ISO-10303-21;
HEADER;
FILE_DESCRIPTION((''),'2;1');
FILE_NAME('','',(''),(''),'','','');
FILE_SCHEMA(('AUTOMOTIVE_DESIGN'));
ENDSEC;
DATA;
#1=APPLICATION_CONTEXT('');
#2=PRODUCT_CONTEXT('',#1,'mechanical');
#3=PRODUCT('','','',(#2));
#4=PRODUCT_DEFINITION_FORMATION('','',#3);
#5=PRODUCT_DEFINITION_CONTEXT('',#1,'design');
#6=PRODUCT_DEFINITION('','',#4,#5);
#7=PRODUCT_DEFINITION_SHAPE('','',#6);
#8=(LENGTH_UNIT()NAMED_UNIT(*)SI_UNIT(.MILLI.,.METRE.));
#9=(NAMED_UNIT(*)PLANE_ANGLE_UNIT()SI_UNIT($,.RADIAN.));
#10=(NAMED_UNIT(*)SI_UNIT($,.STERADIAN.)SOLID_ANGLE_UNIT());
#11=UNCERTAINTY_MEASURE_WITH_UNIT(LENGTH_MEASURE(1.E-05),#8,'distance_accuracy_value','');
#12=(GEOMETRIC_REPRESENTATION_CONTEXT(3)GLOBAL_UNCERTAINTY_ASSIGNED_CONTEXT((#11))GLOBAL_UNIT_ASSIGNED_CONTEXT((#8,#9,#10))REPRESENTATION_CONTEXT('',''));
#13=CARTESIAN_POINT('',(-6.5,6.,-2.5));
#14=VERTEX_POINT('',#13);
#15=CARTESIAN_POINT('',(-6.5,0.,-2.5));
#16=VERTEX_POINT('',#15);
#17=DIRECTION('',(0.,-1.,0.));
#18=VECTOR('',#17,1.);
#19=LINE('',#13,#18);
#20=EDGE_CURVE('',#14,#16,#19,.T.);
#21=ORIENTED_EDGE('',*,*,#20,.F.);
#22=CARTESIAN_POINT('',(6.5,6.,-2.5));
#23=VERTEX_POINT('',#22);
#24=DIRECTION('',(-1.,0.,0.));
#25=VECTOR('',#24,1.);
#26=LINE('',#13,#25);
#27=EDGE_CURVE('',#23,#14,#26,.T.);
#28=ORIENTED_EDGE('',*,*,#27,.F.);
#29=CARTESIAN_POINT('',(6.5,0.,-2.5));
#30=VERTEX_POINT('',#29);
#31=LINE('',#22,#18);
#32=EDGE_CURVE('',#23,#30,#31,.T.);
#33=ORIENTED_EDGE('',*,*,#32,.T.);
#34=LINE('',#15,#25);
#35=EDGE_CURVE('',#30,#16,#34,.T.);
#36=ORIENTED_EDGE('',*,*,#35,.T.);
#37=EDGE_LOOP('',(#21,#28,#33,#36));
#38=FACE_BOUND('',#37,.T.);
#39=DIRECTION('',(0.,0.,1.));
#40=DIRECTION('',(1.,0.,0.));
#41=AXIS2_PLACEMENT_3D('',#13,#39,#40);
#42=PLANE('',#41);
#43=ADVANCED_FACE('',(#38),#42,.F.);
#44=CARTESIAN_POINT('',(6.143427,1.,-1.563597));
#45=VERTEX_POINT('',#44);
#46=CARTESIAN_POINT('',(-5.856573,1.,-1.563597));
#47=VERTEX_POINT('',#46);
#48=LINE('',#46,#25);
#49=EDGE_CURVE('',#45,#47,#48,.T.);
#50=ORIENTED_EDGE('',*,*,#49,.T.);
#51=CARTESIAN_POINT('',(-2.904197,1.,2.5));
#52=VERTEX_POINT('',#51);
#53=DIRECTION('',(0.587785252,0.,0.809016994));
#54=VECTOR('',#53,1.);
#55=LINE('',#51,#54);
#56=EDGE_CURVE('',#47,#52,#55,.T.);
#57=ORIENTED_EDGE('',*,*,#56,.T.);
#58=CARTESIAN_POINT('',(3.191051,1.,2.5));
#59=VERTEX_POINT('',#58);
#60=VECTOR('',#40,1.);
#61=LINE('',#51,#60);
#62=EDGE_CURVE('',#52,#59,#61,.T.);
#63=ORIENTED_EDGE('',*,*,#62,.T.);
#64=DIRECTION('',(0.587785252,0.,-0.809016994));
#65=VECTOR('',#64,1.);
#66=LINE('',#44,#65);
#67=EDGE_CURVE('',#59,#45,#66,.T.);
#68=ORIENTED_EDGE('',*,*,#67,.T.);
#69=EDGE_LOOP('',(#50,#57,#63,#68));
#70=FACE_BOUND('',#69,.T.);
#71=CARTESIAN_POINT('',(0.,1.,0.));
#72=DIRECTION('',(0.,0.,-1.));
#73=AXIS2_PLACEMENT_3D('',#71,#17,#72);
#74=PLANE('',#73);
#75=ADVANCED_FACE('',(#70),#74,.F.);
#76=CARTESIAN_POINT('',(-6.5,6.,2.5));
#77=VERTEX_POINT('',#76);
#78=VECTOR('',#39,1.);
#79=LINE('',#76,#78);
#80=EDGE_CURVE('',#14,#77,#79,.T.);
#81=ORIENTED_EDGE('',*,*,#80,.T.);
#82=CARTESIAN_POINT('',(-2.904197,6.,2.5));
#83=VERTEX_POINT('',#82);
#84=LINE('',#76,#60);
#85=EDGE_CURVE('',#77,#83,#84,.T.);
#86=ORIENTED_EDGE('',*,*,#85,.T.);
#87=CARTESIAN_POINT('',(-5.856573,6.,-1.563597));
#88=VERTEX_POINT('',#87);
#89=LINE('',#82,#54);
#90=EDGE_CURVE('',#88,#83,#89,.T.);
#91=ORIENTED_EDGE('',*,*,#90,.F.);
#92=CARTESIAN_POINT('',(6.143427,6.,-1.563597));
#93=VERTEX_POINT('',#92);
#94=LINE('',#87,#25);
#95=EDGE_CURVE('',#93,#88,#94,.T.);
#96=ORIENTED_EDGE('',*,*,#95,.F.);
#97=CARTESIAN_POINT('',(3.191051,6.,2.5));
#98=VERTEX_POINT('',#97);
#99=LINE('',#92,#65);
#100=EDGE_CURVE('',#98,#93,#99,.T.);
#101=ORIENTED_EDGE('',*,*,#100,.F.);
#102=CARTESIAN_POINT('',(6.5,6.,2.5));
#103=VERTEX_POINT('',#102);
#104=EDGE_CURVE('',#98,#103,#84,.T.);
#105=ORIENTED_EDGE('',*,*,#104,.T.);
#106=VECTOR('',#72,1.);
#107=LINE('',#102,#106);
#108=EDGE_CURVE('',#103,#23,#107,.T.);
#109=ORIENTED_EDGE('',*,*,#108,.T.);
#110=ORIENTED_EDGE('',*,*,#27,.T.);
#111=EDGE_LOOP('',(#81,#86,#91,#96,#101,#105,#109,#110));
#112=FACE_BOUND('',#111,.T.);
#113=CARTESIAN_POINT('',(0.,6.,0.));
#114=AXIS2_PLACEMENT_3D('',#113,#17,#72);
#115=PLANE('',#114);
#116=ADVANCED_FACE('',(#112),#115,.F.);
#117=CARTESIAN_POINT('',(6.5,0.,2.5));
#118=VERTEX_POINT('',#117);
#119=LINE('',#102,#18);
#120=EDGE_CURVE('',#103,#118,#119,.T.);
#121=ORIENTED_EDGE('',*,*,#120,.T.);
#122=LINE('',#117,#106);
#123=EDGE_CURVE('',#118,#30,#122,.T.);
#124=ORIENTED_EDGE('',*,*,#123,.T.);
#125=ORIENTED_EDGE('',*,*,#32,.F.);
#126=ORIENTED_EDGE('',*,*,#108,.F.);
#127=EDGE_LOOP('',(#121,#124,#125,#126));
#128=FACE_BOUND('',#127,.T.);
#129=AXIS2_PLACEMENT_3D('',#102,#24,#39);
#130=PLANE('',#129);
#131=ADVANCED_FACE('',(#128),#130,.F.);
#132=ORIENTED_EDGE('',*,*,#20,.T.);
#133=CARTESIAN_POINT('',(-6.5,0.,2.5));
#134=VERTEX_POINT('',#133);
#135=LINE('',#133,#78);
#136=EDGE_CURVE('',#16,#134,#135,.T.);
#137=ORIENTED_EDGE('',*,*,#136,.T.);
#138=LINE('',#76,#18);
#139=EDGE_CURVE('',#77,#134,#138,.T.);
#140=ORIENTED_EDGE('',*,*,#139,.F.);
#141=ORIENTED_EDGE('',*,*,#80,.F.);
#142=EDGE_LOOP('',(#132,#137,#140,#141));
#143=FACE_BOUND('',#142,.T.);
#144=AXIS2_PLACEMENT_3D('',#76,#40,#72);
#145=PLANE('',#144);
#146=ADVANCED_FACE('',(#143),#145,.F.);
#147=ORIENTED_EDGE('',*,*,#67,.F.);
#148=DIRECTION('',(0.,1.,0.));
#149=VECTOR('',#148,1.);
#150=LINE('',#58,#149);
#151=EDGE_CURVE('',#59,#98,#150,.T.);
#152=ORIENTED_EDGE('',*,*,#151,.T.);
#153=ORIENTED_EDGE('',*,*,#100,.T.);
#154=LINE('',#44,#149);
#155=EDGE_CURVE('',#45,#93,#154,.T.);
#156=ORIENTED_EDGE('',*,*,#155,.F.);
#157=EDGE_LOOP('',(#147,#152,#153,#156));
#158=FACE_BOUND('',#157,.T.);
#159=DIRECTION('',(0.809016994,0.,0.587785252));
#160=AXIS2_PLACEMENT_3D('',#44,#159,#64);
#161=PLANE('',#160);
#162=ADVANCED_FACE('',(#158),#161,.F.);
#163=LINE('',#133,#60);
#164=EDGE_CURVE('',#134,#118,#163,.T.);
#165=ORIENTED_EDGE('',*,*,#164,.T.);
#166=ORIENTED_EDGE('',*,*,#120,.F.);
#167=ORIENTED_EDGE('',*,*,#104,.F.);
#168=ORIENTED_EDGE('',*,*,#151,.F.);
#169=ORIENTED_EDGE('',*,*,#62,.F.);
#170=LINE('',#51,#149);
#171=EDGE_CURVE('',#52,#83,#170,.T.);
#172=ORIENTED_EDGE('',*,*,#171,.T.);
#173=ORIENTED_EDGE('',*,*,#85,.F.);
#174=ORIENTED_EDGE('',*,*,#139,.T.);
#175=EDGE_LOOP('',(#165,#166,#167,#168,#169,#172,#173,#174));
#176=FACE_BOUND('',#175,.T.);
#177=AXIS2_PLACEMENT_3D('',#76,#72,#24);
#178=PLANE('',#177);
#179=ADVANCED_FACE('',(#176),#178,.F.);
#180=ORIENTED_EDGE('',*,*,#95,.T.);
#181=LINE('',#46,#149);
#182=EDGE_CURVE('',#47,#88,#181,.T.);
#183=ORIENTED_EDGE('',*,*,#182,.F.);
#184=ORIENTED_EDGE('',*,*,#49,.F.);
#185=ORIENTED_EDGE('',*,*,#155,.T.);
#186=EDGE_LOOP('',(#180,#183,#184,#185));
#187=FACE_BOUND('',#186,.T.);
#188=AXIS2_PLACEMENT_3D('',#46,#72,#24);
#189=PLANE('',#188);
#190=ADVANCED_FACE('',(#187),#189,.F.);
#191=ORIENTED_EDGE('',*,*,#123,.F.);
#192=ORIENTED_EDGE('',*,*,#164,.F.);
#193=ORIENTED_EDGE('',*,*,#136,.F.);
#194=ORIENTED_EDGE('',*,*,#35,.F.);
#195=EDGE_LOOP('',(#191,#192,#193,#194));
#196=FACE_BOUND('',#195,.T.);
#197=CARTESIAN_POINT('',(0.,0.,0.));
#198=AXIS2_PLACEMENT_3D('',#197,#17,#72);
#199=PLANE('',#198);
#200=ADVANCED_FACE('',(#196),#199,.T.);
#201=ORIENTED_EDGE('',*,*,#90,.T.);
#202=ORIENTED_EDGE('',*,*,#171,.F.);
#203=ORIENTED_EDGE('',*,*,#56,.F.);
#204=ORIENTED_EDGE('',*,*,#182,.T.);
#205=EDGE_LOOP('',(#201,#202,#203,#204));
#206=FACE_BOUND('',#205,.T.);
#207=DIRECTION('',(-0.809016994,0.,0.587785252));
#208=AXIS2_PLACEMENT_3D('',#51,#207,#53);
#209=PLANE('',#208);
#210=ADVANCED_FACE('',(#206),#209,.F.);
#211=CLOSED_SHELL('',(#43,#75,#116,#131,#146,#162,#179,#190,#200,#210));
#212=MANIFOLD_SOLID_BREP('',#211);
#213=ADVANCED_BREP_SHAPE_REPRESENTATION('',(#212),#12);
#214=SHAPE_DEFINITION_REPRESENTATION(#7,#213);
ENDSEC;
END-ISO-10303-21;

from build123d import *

# Parameters (mm, degrees)
SKETCH3_W           = 13
SKETCH3_H           = 5
BOSS_EXTRUDE2_DEPTH = 6
CUT_EXTRUDE2_DEPTH  = 5


with BuildPart() as part:
    # Sketch3 → Boss-Extrude2 (new body)
    with BuildSketch(Plane(origin=(0, 0, 0), x_dir=(1, 0, 0), z_dir=(0, 1, 0))):
        Rectangle(SKETCH3_W, SKETCH3_H)
    extrude(amount=BOSS_EXTRUDE2_DEPTH)

    # Sketch5 → Cut-Extrude2 (cut)
    with BuildSketch(Plane(origin=(0, 6, 0), x_dir=(1, 0, 0), z_dir=(0, 1, 0))):
        Polygon((-2.90419665, -2.5), (-5.856572924, 1.563597326), (6.143427076, 1.563597326), (3.191050802, -2.5), align=None)
    extrude(amount=-CUT_EXTRUDE2_DEPTH, mode=Mode.SUBTRACT)


solid = part.part
